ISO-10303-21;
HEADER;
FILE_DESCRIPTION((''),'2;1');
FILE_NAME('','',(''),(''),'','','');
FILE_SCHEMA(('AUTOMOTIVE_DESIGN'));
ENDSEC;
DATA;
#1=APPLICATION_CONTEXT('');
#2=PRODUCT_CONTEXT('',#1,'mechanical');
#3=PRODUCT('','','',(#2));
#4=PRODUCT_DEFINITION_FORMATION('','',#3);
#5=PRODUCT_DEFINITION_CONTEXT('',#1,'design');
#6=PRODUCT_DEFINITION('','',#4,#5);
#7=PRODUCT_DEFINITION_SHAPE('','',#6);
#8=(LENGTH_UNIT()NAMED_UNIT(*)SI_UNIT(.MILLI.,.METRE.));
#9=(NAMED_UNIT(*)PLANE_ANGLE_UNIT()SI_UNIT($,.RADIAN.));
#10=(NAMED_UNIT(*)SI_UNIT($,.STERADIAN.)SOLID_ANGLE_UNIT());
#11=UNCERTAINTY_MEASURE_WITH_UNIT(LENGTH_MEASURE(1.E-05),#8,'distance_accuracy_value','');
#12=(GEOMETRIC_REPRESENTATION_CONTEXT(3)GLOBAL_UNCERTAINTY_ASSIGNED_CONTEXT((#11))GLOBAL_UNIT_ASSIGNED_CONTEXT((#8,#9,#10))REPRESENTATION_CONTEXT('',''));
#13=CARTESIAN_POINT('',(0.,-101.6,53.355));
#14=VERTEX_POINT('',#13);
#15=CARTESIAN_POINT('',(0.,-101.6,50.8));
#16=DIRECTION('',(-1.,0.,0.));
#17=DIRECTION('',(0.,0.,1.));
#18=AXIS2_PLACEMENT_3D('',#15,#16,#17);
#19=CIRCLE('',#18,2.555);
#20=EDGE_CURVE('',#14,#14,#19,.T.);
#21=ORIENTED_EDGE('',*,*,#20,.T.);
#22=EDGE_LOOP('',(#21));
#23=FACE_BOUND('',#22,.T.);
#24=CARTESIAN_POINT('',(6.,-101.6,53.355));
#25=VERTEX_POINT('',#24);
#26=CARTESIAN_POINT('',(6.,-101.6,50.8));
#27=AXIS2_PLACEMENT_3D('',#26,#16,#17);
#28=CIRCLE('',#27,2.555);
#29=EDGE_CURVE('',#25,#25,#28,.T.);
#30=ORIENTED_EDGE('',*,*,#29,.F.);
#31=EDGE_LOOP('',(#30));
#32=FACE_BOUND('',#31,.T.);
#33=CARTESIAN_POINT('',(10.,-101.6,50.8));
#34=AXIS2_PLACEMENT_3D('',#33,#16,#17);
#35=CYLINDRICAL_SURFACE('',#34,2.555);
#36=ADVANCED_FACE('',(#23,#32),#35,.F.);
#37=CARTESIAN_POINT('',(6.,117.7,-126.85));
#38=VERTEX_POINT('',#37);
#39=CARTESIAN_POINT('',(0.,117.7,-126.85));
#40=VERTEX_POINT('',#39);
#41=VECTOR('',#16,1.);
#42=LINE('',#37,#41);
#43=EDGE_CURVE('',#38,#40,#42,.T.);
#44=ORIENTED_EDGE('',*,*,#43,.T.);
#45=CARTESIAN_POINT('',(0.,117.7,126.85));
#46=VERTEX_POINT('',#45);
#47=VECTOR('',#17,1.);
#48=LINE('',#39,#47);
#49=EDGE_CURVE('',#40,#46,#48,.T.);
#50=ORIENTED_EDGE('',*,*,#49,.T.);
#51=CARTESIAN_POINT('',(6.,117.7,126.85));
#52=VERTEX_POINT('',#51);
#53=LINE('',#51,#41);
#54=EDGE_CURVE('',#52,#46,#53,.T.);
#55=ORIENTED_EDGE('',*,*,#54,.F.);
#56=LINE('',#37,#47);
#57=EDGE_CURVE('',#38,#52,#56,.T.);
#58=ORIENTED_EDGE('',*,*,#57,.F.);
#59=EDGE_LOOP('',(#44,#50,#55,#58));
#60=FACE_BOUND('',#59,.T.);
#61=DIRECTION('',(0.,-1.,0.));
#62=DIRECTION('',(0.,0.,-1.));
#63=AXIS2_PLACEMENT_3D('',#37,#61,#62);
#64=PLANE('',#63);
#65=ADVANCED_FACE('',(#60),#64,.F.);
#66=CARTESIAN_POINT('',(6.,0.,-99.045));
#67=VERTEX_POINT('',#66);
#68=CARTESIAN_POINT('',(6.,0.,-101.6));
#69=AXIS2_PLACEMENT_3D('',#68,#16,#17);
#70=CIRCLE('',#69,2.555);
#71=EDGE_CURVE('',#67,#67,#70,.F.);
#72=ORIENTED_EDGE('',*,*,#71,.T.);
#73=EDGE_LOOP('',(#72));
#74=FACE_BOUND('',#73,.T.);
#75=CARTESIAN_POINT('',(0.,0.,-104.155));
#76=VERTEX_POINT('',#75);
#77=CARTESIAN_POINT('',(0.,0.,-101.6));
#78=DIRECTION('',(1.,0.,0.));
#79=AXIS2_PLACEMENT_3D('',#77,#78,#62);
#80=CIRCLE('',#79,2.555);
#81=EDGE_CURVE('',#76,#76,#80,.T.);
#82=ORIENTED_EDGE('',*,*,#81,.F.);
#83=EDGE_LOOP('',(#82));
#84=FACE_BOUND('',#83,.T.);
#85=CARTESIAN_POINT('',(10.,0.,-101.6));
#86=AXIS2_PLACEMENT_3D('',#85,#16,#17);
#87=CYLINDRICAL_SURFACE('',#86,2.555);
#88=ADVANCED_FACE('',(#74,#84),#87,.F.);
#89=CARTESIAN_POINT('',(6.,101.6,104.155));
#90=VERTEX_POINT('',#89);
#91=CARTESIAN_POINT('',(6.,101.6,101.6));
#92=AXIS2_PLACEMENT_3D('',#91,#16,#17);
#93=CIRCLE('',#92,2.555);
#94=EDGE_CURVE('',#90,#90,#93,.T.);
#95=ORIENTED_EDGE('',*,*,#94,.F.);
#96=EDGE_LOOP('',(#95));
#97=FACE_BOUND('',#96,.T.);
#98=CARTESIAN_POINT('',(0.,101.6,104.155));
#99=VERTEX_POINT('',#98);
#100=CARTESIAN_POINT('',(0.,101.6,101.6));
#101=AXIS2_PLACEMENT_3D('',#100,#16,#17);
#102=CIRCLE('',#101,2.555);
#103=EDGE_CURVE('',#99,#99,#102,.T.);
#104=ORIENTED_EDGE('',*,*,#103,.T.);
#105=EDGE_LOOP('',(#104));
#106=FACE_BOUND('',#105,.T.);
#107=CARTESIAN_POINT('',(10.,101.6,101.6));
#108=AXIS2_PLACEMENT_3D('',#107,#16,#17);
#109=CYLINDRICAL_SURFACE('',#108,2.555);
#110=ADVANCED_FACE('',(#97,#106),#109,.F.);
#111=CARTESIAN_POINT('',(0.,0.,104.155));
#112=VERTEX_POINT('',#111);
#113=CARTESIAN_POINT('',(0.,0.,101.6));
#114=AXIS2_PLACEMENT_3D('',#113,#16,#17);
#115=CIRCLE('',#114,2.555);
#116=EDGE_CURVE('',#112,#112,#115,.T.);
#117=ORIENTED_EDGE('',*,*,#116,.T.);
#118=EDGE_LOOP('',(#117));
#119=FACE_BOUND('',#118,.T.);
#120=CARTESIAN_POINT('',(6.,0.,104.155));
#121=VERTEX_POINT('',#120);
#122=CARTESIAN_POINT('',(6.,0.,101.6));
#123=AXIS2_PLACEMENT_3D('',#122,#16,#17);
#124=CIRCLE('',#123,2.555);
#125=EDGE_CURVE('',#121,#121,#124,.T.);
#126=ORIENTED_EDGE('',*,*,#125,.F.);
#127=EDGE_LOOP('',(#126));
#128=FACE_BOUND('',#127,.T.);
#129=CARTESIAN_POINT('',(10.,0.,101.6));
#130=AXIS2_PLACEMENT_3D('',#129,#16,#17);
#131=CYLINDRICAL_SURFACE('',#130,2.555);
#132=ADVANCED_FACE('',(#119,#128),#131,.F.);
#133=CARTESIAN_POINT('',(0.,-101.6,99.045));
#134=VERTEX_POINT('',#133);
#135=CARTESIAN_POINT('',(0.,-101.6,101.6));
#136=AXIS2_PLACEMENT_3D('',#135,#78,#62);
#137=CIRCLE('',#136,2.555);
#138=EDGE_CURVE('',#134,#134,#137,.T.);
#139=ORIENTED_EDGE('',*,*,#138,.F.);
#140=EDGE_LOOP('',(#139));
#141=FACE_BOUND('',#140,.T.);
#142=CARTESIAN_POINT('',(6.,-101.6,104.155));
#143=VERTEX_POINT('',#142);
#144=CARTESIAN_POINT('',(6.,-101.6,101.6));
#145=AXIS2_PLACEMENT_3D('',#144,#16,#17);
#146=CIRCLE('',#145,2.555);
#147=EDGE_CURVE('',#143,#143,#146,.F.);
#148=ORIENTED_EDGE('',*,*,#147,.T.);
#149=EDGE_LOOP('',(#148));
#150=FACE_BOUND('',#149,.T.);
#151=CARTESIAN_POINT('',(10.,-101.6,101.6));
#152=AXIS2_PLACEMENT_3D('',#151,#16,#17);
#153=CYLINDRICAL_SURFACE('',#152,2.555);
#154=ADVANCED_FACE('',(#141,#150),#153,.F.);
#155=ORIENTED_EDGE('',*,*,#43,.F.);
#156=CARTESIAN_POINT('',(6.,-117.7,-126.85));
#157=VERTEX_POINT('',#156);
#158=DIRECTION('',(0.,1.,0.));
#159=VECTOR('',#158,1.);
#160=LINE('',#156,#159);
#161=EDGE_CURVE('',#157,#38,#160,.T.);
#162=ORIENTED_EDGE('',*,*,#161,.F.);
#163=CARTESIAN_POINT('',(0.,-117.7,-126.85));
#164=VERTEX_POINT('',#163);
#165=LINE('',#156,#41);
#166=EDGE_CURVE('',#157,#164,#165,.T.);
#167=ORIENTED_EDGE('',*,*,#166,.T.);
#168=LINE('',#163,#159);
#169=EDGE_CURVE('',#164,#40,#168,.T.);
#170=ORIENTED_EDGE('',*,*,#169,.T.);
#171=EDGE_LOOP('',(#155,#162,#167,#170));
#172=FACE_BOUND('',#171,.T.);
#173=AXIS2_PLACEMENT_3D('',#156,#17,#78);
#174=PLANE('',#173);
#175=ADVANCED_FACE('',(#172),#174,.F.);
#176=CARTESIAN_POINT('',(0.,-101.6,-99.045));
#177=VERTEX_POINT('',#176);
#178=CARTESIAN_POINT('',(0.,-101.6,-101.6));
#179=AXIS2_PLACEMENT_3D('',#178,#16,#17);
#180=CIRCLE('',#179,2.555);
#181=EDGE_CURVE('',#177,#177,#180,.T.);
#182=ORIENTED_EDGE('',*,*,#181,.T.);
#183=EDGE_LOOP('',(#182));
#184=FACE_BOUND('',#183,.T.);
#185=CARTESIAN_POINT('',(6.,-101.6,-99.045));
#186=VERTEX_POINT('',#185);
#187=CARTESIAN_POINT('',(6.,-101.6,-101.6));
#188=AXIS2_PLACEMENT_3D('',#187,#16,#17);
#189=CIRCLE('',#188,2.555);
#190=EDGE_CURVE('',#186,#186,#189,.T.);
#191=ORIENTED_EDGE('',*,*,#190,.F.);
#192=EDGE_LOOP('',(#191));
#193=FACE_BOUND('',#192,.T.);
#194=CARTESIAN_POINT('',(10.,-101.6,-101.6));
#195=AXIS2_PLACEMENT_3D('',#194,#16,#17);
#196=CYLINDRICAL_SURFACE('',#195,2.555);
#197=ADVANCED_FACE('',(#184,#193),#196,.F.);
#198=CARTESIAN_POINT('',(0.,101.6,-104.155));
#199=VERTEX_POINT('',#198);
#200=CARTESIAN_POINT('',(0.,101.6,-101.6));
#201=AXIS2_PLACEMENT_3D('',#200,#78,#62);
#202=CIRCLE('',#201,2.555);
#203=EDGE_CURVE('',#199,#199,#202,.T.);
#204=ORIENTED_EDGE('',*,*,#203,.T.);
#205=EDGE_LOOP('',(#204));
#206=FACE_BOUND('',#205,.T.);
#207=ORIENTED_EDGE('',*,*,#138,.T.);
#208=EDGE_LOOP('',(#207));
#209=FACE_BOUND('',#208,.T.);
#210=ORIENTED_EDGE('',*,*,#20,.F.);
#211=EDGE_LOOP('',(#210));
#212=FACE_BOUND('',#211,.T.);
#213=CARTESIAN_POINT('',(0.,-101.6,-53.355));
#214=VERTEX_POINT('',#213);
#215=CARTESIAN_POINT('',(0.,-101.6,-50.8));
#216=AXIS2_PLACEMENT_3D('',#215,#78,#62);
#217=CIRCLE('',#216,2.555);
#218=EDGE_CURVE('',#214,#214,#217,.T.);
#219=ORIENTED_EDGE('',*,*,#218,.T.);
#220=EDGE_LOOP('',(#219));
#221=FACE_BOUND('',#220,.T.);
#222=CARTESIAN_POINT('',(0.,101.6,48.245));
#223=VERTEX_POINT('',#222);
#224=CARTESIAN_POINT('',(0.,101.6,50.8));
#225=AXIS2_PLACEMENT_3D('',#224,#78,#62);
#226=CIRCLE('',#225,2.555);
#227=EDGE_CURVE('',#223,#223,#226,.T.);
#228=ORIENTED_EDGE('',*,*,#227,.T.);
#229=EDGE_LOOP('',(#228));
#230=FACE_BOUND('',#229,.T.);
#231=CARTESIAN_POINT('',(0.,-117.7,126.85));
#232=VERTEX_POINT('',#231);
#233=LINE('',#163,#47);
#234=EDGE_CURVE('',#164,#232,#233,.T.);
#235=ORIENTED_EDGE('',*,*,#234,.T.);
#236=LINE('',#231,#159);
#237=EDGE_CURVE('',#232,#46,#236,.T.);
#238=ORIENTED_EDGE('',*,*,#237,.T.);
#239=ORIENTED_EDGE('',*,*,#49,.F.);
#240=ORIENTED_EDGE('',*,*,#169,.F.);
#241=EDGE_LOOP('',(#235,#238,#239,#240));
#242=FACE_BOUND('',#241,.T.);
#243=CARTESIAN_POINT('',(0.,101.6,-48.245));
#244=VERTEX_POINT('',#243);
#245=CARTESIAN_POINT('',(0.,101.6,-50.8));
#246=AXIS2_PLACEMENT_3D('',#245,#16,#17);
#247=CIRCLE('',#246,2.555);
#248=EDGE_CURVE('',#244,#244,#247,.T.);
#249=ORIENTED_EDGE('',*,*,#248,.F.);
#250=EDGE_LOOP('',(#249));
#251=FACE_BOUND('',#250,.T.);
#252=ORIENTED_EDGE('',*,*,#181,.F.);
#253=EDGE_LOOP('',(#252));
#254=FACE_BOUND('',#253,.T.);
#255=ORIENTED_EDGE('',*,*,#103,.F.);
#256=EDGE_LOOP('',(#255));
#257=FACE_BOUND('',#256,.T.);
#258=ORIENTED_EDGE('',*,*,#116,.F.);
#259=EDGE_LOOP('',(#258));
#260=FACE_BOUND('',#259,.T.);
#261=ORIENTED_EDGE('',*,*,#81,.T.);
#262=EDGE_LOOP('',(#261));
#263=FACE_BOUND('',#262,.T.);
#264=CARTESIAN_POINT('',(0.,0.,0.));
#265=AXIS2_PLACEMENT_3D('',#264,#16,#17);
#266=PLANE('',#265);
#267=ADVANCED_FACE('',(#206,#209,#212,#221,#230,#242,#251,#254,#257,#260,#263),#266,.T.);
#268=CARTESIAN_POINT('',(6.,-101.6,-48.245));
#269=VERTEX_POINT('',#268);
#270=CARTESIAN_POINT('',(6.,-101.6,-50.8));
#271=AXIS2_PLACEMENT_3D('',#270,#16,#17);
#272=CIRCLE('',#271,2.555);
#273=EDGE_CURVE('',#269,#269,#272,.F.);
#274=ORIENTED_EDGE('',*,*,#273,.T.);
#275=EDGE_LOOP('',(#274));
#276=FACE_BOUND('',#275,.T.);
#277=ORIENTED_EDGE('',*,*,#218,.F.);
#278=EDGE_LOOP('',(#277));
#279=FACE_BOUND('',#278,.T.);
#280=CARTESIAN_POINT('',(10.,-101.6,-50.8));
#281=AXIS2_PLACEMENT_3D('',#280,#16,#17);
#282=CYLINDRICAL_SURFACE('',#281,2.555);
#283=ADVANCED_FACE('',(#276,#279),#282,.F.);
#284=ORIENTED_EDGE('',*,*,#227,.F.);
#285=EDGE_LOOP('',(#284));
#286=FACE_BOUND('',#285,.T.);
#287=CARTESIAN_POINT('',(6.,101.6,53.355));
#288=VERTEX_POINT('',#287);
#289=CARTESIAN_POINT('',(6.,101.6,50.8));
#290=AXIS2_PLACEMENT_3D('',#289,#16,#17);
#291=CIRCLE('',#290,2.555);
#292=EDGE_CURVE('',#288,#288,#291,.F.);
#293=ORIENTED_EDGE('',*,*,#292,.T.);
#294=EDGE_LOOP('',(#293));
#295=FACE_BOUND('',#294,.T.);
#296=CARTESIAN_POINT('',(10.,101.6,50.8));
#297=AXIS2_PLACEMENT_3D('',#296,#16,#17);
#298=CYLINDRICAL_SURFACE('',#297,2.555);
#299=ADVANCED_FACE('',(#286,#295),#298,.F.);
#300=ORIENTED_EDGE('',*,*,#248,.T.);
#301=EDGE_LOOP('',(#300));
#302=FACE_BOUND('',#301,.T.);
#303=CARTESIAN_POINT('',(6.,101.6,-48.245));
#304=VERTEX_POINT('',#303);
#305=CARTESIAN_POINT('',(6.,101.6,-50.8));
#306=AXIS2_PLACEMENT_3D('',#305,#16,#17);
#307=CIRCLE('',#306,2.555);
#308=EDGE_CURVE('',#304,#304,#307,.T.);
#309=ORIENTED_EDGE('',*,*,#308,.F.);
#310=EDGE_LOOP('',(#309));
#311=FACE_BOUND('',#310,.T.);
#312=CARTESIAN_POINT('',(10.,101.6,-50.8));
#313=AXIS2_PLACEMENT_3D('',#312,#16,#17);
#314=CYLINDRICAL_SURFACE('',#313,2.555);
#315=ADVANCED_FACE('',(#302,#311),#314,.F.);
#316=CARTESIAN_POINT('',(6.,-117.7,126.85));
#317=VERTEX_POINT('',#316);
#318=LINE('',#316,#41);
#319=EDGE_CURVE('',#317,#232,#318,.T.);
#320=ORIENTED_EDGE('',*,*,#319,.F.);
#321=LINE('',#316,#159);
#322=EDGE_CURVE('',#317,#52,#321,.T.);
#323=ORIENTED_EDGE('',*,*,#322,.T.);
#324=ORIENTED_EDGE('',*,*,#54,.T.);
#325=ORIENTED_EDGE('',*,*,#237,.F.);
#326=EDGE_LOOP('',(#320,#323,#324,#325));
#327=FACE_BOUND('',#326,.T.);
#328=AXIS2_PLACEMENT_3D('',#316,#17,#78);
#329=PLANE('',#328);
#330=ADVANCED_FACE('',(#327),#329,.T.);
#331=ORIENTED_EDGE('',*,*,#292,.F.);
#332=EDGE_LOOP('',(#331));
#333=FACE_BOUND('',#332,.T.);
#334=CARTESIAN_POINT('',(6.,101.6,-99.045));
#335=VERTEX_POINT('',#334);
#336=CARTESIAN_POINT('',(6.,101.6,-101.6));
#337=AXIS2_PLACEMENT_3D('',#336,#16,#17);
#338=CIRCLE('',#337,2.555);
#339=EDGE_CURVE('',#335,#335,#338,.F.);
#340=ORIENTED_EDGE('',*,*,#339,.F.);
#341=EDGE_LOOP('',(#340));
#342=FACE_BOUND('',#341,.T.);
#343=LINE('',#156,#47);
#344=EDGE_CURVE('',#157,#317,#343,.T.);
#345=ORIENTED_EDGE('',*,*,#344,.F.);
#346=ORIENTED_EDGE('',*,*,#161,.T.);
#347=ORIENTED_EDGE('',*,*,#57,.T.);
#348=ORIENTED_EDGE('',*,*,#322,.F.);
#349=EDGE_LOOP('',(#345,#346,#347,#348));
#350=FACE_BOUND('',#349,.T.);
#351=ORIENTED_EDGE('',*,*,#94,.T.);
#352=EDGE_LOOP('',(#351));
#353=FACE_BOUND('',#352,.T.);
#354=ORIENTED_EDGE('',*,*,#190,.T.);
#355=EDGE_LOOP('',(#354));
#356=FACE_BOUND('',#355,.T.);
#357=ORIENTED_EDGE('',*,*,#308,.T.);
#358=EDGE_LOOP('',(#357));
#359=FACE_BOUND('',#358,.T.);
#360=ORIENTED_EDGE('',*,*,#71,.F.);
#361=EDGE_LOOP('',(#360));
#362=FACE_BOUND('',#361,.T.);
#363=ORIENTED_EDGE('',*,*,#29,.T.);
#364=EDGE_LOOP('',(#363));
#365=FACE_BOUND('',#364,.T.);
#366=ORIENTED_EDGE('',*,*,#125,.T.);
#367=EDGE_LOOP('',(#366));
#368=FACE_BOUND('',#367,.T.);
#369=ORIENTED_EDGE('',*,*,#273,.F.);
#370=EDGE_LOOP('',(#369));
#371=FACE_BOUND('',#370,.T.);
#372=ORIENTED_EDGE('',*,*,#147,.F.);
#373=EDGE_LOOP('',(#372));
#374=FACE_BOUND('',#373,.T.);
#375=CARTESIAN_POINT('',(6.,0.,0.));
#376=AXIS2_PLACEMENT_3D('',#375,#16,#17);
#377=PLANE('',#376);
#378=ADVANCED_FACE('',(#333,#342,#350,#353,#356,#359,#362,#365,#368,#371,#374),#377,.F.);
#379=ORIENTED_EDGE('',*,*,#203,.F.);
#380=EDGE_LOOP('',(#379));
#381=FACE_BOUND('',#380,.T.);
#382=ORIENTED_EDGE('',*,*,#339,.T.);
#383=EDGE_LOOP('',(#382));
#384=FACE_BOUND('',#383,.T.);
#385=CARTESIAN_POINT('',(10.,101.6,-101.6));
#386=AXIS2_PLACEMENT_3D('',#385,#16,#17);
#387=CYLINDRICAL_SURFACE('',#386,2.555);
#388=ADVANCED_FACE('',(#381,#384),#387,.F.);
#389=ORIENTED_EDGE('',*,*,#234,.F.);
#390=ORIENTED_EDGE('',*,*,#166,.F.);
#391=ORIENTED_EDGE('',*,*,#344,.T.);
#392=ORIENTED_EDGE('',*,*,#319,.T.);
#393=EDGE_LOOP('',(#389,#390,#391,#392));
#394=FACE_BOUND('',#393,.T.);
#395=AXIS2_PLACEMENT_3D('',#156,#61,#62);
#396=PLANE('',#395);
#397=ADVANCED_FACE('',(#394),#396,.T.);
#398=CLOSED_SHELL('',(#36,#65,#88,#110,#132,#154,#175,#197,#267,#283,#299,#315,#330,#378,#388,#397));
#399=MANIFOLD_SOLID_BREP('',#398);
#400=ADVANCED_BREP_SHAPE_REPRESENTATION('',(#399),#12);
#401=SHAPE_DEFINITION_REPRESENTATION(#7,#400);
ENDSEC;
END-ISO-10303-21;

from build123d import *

# Parameters (mm, degrees)
SKETCH1_W           = 235.4
SKETCH1_H           = 253.7
BOSS_EXTRUDE1_DEPTH = 6
SKETCH1_3_R         = 2.555
CUT_EXTRUDE1_DEPTH  = 10


with BuildPart() as part:
    # Sketch1 → Boss-Extrude1 (new body)
    with BuildSketch(Plane.YZ):
        Rectangle(SKETCH1_W, SKETCH1_H)
    extrude(amount=BOSS_EXTRUDE1_DEPTH)

    # Sketch1<3> → Cut-Extrude1 (cut)
    with BuildSketch(Plane.YZ):
        with Locations((-101.6, 101.6)):
            Circle(SKETCH1_3_R)
        with Locations((101.6, 101.6)):
            Circle(SKETCH1_3_R)
        with Locations((-101.6, -101.6)):
            Circle(SKETCH1_3_R)
        with Locations((101.6, -101.6)):
            Circle(SKETCH1_3_R)
        with Locations((0, -101.6)):
            Circle(SKETCH1_3_R)
        with Locations((0, 101.6)):
            Circle(SKETCH1_3_R)
        with Locations((-101.6, -50.8)):
            Circle(SKETCH1_3_R)
        with Locations((101.6, -50.8)):
            Circle(SKETCH1_3_R)
        with Locations((101.6, 50.8)):
            Circle(SKETCH1_3_R)
        with Locations((-101.6, 50.8)):
            Circle(SKETCH1_3_R)
    extrude(amount=CUT_EXTRUDE1_DEPTH, mode=Mode.SUBTRACT)


solid = part.part
